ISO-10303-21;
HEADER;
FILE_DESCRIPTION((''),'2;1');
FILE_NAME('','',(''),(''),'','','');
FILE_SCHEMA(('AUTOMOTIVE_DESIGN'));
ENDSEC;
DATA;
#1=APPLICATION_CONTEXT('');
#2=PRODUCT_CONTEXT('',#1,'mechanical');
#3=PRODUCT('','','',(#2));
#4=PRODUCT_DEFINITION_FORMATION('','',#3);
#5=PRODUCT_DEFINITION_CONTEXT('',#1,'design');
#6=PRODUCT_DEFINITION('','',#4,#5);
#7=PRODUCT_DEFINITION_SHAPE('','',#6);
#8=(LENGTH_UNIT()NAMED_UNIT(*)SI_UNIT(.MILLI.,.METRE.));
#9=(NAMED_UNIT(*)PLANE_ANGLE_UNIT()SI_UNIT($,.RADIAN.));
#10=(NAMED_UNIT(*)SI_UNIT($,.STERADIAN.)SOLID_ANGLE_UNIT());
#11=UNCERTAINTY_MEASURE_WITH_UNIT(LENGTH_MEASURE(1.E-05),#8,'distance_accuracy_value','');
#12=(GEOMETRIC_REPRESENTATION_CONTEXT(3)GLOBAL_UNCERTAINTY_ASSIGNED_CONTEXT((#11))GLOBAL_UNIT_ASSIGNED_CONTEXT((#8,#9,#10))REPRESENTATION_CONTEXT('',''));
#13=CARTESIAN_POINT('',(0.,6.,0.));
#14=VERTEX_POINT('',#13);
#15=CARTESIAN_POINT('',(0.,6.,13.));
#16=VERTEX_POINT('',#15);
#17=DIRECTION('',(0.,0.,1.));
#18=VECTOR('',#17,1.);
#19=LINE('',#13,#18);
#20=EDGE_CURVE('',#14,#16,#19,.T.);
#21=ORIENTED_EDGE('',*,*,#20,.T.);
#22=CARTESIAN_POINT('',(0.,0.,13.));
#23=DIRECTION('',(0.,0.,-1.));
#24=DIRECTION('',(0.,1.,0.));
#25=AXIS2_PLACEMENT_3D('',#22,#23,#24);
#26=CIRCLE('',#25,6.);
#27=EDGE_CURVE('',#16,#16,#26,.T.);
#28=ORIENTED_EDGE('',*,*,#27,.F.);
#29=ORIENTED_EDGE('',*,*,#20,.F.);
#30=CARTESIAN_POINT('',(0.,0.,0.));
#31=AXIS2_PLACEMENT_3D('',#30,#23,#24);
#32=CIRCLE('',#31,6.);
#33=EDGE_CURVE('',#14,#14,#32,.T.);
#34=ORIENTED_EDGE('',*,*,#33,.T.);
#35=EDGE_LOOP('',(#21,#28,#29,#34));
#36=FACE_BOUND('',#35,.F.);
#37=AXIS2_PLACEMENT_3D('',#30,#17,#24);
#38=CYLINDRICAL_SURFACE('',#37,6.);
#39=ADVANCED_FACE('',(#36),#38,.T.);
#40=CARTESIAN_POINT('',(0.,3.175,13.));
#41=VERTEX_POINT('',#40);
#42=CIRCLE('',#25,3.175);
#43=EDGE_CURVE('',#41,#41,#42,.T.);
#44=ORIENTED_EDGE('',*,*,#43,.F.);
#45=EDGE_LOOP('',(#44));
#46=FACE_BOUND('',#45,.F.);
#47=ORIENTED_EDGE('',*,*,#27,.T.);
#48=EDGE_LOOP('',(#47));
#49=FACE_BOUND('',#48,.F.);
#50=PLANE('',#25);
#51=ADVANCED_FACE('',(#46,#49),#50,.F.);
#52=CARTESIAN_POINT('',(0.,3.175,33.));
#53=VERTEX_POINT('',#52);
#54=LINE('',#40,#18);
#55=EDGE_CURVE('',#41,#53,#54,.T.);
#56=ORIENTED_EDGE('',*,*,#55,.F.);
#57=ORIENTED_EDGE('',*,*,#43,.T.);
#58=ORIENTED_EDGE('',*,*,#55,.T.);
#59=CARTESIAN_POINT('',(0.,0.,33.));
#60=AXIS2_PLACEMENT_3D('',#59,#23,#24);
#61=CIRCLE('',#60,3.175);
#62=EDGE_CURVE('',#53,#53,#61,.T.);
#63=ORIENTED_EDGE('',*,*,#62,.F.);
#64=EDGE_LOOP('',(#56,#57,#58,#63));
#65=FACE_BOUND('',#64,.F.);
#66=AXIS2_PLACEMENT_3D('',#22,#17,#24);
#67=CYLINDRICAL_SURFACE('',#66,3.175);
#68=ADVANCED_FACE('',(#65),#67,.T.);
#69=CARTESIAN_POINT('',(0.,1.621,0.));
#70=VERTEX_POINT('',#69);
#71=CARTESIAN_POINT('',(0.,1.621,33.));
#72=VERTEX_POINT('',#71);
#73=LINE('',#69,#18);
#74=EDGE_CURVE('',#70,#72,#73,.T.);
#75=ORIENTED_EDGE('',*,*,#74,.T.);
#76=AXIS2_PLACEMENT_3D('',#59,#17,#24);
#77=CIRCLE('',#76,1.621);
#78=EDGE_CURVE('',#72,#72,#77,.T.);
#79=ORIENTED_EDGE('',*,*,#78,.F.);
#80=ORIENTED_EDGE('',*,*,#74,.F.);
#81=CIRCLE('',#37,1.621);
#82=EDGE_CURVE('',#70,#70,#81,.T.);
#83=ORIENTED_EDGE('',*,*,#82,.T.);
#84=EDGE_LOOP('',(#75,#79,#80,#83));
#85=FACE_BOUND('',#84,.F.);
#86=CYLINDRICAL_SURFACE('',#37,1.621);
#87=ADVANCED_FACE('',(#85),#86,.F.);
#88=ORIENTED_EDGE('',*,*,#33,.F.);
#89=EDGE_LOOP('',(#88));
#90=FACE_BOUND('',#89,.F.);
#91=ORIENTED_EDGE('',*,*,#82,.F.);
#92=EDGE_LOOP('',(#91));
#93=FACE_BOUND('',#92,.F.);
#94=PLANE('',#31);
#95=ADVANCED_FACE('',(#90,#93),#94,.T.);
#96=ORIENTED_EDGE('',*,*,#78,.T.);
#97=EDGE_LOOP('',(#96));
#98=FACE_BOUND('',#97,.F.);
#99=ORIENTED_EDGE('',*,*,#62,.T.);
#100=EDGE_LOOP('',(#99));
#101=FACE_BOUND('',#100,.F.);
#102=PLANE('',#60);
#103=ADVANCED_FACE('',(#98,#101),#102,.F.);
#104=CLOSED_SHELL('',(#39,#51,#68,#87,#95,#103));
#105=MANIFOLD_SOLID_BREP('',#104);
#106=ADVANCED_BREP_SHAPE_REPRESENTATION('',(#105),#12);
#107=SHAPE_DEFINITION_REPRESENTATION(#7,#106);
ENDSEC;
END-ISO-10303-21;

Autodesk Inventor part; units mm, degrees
ref_plane "YZ Plane" through (0, 0, 0) normal (1, 0, 0) x (0, 1, 0)
ref_plane "XZ Plane" through (0, 0, 0) normal (0, 1, 0) x (-1, 0, 0)
ref_plane "XY Plane" through (0, 0, 0) normal (0, 0, 1) x (1, 0, 0)
sketch "Skizze1" plane through (0, 0, 0) normal (1, 0, 0) x (0, 1, 0)
  line L0 (6, 0) -> (6, 13)
  line L1 (6, 13) -> (3.175, 13)
  line L2 (3.175, 13) -> (3.175, 33)
  line L3 (3.175, 33) -> (0, 33)
  line L4 (0, 33) -> (0, 0)
  line L5 (0, 0) -> (6, 0)
  dimension "d0" = 6
  dimension "d1" = 3.175
  dimension "d2" = 13
  dimension "d3" = 20
revolve "Umdrehung1" add sketch "Skizze1" angle 360 about axis through (0, 0, 33) along (0, 0, -1)
sketch "Skizze2" plane through (0, 0, 33) normal (0, 0, 1) x (1, 0, 0)
  point P0 (0, 0)
  point P1 (0.0356, 0.5424)
hole "Bohrung1" at (0, 0, 0) direction (0, 0, 1) diameter 3.242 depth 33 thread size "M4x0.7" class "6H" standard "ISO Metric profile"
properties part number "102.004.01_Zapfen_Aktor" material "Aluminium 6061"
